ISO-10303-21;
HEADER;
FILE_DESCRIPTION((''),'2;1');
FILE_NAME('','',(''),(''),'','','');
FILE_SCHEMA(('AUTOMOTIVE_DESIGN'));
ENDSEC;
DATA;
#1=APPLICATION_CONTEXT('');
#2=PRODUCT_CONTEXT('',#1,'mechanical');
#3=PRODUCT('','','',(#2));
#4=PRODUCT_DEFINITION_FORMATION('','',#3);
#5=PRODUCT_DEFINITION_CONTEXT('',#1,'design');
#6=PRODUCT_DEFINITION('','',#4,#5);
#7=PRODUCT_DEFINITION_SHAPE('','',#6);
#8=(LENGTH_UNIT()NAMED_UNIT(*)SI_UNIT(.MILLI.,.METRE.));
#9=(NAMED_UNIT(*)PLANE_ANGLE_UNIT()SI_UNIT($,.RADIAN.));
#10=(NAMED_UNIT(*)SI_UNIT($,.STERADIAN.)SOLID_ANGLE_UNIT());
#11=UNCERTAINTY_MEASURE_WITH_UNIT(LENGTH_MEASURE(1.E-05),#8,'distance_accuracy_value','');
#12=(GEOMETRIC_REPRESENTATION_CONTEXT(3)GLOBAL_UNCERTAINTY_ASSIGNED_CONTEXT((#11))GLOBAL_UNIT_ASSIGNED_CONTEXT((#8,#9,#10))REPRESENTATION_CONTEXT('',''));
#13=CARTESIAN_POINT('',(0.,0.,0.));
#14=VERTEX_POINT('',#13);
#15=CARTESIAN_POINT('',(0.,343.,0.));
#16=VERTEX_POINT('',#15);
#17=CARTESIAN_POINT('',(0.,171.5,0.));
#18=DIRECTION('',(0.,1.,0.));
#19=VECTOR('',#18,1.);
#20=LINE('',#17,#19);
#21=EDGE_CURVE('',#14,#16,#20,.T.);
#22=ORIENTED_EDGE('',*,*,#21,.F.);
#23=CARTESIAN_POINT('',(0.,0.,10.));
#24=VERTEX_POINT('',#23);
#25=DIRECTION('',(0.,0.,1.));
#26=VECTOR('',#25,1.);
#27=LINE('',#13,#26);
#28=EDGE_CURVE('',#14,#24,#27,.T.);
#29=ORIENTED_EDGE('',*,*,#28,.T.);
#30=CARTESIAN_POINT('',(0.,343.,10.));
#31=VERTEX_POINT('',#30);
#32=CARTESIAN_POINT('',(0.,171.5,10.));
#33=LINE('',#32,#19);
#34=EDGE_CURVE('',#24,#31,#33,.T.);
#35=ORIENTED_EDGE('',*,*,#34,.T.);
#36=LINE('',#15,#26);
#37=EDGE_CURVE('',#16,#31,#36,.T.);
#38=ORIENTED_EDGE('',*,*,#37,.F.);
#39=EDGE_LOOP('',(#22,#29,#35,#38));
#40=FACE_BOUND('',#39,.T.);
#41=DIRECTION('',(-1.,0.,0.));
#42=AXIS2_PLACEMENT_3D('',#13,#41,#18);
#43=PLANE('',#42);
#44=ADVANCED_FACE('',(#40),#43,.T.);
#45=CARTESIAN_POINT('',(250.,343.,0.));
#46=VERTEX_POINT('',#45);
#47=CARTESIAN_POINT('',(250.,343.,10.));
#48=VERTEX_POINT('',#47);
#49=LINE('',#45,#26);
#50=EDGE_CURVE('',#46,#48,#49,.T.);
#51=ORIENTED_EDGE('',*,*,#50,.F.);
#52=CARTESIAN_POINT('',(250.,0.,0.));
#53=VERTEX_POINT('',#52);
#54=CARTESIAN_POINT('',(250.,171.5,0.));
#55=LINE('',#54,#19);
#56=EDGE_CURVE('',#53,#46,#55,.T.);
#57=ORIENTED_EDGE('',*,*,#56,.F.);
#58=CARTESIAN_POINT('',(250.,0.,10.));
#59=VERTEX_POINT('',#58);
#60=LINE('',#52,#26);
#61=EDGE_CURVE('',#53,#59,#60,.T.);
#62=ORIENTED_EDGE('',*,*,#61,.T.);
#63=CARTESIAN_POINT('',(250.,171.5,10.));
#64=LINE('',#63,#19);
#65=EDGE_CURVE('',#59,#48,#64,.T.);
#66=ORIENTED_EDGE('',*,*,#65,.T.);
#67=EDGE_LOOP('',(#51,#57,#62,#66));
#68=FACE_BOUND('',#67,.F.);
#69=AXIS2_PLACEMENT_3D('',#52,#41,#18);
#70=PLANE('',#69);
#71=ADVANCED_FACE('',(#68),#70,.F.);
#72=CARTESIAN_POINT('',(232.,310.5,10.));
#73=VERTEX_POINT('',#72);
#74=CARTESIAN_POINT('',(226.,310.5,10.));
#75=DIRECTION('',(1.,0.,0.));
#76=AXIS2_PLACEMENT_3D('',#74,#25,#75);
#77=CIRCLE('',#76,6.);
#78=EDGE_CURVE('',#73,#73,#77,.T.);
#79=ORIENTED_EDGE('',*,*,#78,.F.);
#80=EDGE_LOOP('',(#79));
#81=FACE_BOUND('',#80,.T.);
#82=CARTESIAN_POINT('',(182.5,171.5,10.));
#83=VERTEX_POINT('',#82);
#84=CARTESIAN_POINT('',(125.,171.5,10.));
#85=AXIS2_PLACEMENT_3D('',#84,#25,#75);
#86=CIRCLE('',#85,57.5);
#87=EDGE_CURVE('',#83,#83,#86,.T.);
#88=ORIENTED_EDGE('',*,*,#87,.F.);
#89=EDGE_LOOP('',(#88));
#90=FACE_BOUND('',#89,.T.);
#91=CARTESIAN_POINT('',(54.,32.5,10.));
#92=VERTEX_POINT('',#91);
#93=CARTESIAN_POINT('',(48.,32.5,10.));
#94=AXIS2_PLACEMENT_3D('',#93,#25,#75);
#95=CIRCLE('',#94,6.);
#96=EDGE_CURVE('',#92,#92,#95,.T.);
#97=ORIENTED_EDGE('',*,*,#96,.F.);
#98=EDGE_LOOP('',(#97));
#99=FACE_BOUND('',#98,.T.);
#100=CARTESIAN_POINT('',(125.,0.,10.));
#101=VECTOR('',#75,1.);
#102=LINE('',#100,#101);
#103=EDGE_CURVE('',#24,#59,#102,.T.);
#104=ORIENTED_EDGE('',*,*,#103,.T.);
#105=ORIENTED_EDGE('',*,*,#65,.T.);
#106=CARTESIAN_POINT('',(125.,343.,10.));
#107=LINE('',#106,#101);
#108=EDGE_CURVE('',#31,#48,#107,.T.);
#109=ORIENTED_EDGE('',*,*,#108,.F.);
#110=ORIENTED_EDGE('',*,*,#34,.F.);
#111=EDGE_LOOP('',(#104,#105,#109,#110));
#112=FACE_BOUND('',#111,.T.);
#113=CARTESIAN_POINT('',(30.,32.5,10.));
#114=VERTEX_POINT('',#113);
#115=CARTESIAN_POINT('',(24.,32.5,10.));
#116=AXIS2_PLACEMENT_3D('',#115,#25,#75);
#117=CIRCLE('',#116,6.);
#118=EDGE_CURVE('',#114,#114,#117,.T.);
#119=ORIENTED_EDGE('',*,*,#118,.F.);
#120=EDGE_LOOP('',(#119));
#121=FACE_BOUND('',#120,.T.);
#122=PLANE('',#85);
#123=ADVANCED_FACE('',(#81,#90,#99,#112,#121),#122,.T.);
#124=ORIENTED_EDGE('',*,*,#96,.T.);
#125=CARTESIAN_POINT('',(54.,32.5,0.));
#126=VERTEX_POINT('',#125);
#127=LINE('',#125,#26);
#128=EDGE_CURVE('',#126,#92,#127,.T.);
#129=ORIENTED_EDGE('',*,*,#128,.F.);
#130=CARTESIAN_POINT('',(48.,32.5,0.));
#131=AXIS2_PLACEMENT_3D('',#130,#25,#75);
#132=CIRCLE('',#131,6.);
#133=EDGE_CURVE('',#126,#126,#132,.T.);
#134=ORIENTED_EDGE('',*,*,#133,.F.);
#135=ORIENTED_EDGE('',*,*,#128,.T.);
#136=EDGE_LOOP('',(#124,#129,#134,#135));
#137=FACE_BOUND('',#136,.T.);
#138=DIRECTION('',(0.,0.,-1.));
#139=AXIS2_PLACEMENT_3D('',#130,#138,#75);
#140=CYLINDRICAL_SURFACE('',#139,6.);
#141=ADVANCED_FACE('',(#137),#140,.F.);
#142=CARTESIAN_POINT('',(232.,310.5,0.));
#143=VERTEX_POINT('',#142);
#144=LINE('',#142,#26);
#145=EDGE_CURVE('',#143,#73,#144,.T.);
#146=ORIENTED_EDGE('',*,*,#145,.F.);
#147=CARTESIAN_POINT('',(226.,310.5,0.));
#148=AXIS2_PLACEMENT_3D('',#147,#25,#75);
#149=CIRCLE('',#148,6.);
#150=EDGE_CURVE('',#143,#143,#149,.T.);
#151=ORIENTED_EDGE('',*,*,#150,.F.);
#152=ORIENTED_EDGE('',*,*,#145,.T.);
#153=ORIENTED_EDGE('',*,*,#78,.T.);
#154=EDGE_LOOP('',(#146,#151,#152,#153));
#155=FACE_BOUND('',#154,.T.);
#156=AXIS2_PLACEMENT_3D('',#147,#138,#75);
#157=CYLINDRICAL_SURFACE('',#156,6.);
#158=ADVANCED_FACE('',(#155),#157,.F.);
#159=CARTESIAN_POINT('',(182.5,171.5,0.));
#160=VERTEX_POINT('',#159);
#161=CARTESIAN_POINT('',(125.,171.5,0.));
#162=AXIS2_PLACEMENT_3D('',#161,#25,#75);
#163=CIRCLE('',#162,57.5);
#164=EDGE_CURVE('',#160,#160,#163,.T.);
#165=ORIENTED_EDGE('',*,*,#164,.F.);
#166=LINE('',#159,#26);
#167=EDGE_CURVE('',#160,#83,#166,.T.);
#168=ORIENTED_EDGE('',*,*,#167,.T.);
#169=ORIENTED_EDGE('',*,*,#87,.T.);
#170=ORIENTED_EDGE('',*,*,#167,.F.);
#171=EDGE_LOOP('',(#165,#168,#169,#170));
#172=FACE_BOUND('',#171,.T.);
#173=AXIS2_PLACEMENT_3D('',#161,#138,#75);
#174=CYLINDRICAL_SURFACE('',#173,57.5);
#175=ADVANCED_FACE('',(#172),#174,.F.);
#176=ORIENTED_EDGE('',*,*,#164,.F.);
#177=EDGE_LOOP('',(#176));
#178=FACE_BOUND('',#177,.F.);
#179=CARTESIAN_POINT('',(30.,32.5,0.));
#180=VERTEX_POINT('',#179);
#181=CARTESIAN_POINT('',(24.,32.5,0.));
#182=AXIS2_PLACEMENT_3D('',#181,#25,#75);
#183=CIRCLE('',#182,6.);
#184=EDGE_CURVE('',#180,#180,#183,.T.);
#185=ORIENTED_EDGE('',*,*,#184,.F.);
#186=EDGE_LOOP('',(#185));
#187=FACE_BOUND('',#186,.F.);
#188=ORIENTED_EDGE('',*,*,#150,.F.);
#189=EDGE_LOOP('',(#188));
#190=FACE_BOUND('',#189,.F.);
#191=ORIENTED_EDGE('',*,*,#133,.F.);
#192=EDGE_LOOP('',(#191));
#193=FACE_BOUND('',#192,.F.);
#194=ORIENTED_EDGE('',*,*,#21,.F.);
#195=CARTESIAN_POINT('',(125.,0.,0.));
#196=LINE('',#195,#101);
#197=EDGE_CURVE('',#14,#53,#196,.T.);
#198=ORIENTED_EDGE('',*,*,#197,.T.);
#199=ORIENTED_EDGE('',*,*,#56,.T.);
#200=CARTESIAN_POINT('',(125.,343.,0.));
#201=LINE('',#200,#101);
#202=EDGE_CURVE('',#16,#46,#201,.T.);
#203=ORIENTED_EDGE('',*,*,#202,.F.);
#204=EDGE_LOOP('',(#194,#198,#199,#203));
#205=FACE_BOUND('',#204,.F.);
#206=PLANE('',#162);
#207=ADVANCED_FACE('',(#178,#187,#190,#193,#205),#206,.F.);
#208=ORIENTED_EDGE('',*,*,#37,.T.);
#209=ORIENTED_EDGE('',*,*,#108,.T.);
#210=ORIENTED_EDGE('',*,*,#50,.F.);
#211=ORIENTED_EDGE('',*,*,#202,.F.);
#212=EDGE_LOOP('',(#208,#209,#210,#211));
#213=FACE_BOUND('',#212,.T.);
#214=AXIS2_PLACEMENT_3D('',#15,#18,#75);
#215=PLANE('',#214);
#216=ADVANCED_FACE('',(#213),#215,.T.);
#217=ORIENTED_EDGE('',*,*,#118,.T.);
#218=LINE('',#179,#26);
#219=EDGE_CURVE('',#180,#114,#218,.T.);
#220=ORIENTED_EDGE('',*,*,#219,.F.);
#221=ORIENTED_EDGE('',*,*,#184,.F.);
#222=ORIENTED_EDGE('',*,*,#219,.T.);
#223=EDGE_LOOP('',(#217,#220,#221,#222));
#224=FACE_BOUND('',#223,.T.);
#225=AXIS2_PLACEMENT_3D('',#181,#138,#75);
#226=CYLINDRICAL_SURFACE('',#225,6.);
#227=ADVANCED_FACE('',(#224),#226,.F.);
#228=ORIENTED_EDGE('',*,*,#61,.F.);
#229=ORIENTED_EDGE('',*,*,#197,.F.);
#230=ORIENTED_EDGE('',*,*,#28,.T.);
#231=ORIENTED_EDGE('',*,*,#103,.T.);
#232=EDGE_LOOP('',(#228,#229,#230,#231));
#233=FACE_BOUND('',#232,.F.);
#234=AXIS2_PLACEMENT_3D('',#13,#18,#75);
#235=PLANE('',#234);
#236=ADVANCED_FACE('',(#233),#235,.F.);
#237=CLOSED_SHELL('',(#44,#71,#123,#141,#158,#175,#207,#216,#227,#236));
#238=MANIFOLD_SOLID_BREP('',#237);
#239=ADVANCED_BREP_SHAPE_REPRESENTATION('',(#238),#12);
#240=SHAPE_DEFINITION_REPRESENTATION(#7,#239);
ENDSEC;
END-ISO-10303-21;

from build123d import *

# Parameters (mm, degrees)
F0_W     = 250
F0_H     = 343
F0_R     = 6
F0_R_2   = 57.5
F1_DEPTH = 10


with BuildPart() as f1:
    # F0 (on Top) → F1 (new body)
    with BuildSketch(Plane.XY):
        with Locations((125, 171.5)):
            Rectangle(F0_W, F0_H)
        with Locations((24, 32.5)):
            Circle(F0_R, mode=Mode.SUBTRACT)
        with Locations((48, 32.5)):
            Circle(F0_R, mode=Mode.SUBTRACT)
        with Locations((125, 171.5)):
            Circle(F0_R_2, mode=Mode.SUBTRACT)
        with Locations((226, 310.5)):
            Circle(F0_R, mode=Mode.SUBTRACT)
    extrude(amount=F1_DEPTH)


solid = f1.part
